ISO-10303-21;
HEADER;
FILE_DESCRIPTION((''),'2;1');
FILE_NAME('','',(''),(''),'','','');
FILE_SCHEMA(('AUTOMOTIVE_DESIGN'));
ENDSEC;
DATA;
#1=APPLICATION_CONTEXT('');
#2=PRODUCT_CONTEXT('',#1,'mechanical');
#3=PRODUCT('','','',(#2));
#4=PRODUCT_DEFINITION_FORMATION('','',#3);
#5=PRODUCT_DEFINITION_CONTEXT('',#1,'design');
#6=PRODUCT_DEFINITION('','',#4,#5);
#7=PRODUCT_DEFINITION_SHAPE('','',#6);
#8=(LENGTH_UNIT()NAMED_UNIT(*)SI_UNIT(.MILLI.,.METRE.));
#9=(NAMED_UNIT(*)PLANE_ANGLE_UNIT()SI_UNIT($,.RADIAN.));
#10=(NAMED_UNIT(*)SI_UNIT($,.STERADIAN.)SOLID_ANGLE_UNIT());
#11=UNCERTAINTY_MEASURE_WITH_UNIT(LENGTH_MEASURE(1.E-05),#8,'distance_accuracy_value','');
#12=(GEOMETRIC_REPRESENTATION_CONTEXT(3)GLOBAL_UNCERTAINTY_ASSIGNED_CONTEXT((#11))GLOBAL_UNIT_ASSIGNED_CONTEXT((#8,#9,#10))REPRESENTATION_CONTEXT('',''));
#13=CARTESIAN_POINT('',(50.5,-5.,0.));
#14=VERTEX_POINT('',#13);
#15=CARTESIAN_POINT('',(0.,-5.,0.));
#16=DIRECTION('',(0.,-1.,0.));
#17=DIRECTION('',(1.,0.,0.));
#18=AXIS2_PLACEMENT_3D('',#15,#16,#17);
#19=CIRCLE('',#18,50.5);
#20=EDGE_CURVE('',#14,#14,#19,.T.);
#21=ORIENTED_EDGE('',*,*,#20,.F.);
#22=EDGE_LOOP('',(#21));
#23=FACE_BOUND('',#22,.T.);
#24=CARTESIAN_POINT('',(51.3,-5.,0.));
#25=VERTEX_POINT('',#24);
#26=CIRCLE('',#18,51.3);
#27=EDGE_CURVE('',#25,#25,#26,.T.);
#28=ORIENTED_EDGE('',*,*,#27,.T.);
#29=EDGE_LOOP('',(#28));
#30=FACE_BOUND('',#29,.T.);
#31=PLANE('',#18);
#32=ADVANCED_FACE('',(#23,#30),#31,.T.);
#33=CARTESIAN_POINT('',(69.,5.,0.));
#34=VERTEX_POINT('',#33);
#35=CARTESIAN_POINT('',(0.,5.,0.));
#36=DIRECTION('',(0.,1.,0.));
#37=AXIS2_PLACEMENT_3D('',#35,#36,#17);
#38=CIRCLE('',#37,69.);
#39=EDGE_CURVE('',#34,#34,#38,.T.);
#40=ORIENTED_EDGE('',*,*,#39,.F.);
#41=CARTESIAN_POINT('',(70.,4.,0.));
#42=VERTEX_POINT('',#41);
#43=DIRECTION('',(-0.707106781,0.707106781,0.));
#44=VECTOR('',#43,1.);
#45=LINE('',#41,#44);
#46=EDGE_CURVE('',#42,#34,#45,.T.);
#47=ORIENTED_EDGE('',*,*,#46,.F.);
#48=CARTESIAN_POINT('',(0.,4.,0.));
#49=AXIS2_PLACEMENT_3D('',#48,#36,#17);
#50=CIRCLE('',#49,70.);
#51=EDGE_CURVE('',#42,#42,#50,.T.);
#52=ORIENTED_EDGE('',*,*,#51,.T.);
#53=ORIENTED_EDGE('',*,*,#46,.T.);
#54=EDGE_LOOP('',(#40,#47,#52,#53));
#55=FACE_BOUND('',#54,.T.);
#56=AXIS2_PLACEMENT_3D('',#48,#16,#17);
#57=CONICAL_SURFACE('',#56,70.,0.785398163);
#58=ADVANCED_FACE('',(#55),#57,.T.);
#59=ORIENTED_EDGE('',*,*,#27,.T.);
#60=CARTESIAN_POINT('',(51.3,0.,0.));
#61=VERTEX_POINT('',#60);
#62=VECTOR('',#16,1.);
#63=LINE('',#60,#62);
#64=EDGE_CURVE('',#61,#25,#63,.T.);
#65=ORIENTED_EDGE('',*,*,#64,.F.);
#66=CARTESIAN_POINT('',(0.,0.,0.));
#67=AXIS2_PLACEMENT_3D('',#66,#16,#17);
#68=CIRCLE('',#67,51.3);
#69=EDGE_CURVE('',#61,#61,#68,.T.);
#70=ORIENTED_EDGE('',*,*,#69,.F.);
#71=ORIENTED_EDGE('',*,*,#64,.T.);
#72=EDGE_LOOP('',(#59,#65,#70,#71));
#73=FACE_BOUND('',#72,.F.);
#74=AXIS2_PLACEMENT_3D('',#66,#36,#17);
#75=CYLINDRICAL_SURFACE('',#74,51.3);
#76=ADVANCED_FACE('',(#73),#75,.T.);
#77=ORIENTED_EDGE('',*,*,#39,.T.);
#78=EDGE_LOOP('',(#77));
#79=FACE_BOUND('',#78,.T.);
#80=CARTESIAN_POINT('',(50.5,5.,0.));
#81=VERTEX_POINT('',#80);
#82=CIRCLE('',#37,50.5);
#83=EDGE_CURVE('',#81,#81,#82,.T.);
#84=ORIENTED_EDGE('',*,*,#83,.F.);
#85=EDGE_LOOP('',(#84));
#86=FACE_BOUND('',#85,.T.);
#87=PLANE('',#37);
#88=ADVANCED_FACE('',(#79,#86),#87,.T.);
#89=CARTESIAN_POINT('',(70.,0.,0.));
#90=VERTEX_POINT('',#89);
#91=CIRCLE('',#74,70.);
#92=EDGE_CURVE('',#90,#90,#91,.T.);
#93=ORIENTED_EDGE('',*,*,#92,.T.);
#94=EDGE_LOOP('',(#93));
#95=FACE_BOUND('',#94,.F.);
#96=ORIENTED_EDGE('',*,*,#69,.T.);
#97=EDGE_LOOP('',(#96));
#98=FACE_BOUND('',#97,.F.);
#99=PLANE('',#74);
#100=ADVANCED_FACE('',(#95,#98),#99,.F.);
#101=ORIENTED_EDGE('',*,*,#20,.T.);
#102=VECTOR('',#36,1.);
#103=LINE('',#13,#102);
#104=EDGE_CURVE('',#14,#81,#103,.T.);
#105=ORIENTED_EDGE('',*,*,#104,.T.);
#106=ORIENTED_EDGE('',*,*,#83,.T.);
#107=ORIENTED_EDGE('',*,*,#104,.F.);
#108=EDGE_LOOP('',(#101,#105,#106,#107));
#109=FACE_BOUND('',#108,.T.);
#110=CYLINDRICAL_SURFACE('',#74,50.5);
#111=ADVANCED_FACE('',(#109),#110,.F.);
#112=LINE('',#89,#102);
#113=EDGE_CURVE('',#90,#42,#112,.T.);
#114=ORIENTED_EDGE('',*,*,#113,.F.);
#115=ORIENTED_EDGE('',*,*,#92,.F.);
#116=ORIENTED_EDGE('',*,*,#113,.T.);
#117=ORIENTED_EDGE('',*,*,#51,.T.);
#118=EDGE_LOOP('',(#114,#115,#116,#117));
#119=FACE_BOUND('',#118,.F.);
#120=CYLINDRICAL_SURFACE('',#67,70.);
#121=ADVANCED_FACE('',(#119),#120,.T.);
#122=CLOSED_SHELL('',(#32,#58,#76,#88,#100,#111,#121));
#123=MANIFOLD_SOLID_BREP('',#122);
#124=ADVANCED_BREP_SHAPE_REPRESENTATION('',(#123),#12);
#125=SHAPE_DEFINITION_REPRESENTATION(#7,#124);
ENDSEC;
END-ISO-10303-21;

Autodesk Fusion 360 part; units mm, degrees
sketch "Sketch1" plane through (0, 0, 0) normal (0, 1, 0) x (1, 0, 0)
  circle A0 centre (0, 0) radius 50.5
  circle A1 centre (0, 0) radius 70
  dimension "d1" = 101
  dimension "d2" = 140
extrude "Extrude1" add sketch "Sketch1" along normal blind 5
chamfer "Chamfer1" distance 1 angle 45 1 edges at (-65.2629, 5, 25.3131)
sketch "Sketch2" plane through (0, 0, 0) normal (0, -1, 0) x (1, 0, 0)
  circle A0 centre (0, 0) radius 50.5
  circle A1 centre (0, 0) radius 70
  circle A2 centre (0, 0) radius 50.5
  circle A3 centre (0, 0) radius 51.3
  dimension "d6" = 102.6
extrude "Extrude2" add sketch "Sketch2" along normal blind 5 contours A3
equation "d6 = 101.000 mm + 0.8 * 2 mm"
